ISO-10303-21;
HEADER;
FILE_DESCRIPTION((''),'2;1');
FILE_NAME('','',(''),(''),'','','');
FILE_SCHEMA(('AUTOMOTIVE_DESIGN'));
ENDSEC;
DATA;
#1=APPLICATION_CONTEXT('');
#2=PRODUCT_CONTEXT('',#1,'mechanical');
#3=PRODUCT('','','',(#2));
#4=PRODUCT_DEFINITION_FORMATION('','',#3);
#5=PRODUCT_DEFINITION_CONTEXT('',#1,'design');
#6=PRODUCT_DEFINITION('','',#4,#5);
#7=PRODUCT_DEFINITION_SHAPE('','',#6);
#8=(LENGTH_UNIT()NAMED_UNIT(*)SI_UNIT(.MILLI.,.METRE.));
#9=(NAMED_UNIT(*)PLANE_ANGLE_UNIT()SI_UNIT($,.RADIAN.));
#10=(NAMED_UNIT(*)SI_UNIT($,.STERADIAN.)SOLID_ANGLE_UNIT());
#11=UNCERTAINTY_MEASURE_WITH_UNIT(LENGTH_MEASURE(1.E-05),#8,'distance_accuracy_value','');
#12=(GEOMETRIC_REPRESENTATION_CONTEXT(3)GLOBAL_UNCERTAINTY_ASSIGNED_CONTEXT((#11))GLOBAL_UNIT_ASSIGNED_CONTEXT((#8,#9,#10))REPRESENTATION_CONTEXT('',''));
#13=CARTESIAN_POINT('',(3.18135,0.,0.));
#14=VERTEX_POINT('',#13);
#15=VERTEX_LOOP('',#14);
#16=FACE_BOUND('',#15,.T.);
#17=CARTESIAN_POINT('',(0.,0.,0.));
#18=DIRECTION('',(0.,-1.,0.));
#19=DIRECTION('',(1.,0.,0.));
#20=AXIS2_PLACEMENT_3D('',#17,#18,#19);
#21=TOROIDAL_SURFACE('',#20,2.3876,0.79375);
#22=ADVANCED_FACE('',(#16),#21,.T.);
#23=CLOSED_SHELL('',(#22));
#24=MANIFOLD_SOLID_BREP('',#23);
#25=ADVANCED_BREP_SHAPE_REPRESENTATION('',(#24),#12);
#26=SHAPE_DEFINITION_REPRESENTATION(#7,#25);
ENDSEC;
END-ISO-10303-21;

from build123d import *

# Parameters (mm, degrees)
SKETCH1_R = 0.79375


with BuildPart() as part:
    # Sketch1 → Revolve1 (revolve)
    with BuildSketch(Plane.XY):
        with Locations((2.3876, 0)):
            Circle(SKETCH1_R)
    revolve(axis=Axis((0, -44.218008751, 0), (0, 1, 0)))


solid = part.part
